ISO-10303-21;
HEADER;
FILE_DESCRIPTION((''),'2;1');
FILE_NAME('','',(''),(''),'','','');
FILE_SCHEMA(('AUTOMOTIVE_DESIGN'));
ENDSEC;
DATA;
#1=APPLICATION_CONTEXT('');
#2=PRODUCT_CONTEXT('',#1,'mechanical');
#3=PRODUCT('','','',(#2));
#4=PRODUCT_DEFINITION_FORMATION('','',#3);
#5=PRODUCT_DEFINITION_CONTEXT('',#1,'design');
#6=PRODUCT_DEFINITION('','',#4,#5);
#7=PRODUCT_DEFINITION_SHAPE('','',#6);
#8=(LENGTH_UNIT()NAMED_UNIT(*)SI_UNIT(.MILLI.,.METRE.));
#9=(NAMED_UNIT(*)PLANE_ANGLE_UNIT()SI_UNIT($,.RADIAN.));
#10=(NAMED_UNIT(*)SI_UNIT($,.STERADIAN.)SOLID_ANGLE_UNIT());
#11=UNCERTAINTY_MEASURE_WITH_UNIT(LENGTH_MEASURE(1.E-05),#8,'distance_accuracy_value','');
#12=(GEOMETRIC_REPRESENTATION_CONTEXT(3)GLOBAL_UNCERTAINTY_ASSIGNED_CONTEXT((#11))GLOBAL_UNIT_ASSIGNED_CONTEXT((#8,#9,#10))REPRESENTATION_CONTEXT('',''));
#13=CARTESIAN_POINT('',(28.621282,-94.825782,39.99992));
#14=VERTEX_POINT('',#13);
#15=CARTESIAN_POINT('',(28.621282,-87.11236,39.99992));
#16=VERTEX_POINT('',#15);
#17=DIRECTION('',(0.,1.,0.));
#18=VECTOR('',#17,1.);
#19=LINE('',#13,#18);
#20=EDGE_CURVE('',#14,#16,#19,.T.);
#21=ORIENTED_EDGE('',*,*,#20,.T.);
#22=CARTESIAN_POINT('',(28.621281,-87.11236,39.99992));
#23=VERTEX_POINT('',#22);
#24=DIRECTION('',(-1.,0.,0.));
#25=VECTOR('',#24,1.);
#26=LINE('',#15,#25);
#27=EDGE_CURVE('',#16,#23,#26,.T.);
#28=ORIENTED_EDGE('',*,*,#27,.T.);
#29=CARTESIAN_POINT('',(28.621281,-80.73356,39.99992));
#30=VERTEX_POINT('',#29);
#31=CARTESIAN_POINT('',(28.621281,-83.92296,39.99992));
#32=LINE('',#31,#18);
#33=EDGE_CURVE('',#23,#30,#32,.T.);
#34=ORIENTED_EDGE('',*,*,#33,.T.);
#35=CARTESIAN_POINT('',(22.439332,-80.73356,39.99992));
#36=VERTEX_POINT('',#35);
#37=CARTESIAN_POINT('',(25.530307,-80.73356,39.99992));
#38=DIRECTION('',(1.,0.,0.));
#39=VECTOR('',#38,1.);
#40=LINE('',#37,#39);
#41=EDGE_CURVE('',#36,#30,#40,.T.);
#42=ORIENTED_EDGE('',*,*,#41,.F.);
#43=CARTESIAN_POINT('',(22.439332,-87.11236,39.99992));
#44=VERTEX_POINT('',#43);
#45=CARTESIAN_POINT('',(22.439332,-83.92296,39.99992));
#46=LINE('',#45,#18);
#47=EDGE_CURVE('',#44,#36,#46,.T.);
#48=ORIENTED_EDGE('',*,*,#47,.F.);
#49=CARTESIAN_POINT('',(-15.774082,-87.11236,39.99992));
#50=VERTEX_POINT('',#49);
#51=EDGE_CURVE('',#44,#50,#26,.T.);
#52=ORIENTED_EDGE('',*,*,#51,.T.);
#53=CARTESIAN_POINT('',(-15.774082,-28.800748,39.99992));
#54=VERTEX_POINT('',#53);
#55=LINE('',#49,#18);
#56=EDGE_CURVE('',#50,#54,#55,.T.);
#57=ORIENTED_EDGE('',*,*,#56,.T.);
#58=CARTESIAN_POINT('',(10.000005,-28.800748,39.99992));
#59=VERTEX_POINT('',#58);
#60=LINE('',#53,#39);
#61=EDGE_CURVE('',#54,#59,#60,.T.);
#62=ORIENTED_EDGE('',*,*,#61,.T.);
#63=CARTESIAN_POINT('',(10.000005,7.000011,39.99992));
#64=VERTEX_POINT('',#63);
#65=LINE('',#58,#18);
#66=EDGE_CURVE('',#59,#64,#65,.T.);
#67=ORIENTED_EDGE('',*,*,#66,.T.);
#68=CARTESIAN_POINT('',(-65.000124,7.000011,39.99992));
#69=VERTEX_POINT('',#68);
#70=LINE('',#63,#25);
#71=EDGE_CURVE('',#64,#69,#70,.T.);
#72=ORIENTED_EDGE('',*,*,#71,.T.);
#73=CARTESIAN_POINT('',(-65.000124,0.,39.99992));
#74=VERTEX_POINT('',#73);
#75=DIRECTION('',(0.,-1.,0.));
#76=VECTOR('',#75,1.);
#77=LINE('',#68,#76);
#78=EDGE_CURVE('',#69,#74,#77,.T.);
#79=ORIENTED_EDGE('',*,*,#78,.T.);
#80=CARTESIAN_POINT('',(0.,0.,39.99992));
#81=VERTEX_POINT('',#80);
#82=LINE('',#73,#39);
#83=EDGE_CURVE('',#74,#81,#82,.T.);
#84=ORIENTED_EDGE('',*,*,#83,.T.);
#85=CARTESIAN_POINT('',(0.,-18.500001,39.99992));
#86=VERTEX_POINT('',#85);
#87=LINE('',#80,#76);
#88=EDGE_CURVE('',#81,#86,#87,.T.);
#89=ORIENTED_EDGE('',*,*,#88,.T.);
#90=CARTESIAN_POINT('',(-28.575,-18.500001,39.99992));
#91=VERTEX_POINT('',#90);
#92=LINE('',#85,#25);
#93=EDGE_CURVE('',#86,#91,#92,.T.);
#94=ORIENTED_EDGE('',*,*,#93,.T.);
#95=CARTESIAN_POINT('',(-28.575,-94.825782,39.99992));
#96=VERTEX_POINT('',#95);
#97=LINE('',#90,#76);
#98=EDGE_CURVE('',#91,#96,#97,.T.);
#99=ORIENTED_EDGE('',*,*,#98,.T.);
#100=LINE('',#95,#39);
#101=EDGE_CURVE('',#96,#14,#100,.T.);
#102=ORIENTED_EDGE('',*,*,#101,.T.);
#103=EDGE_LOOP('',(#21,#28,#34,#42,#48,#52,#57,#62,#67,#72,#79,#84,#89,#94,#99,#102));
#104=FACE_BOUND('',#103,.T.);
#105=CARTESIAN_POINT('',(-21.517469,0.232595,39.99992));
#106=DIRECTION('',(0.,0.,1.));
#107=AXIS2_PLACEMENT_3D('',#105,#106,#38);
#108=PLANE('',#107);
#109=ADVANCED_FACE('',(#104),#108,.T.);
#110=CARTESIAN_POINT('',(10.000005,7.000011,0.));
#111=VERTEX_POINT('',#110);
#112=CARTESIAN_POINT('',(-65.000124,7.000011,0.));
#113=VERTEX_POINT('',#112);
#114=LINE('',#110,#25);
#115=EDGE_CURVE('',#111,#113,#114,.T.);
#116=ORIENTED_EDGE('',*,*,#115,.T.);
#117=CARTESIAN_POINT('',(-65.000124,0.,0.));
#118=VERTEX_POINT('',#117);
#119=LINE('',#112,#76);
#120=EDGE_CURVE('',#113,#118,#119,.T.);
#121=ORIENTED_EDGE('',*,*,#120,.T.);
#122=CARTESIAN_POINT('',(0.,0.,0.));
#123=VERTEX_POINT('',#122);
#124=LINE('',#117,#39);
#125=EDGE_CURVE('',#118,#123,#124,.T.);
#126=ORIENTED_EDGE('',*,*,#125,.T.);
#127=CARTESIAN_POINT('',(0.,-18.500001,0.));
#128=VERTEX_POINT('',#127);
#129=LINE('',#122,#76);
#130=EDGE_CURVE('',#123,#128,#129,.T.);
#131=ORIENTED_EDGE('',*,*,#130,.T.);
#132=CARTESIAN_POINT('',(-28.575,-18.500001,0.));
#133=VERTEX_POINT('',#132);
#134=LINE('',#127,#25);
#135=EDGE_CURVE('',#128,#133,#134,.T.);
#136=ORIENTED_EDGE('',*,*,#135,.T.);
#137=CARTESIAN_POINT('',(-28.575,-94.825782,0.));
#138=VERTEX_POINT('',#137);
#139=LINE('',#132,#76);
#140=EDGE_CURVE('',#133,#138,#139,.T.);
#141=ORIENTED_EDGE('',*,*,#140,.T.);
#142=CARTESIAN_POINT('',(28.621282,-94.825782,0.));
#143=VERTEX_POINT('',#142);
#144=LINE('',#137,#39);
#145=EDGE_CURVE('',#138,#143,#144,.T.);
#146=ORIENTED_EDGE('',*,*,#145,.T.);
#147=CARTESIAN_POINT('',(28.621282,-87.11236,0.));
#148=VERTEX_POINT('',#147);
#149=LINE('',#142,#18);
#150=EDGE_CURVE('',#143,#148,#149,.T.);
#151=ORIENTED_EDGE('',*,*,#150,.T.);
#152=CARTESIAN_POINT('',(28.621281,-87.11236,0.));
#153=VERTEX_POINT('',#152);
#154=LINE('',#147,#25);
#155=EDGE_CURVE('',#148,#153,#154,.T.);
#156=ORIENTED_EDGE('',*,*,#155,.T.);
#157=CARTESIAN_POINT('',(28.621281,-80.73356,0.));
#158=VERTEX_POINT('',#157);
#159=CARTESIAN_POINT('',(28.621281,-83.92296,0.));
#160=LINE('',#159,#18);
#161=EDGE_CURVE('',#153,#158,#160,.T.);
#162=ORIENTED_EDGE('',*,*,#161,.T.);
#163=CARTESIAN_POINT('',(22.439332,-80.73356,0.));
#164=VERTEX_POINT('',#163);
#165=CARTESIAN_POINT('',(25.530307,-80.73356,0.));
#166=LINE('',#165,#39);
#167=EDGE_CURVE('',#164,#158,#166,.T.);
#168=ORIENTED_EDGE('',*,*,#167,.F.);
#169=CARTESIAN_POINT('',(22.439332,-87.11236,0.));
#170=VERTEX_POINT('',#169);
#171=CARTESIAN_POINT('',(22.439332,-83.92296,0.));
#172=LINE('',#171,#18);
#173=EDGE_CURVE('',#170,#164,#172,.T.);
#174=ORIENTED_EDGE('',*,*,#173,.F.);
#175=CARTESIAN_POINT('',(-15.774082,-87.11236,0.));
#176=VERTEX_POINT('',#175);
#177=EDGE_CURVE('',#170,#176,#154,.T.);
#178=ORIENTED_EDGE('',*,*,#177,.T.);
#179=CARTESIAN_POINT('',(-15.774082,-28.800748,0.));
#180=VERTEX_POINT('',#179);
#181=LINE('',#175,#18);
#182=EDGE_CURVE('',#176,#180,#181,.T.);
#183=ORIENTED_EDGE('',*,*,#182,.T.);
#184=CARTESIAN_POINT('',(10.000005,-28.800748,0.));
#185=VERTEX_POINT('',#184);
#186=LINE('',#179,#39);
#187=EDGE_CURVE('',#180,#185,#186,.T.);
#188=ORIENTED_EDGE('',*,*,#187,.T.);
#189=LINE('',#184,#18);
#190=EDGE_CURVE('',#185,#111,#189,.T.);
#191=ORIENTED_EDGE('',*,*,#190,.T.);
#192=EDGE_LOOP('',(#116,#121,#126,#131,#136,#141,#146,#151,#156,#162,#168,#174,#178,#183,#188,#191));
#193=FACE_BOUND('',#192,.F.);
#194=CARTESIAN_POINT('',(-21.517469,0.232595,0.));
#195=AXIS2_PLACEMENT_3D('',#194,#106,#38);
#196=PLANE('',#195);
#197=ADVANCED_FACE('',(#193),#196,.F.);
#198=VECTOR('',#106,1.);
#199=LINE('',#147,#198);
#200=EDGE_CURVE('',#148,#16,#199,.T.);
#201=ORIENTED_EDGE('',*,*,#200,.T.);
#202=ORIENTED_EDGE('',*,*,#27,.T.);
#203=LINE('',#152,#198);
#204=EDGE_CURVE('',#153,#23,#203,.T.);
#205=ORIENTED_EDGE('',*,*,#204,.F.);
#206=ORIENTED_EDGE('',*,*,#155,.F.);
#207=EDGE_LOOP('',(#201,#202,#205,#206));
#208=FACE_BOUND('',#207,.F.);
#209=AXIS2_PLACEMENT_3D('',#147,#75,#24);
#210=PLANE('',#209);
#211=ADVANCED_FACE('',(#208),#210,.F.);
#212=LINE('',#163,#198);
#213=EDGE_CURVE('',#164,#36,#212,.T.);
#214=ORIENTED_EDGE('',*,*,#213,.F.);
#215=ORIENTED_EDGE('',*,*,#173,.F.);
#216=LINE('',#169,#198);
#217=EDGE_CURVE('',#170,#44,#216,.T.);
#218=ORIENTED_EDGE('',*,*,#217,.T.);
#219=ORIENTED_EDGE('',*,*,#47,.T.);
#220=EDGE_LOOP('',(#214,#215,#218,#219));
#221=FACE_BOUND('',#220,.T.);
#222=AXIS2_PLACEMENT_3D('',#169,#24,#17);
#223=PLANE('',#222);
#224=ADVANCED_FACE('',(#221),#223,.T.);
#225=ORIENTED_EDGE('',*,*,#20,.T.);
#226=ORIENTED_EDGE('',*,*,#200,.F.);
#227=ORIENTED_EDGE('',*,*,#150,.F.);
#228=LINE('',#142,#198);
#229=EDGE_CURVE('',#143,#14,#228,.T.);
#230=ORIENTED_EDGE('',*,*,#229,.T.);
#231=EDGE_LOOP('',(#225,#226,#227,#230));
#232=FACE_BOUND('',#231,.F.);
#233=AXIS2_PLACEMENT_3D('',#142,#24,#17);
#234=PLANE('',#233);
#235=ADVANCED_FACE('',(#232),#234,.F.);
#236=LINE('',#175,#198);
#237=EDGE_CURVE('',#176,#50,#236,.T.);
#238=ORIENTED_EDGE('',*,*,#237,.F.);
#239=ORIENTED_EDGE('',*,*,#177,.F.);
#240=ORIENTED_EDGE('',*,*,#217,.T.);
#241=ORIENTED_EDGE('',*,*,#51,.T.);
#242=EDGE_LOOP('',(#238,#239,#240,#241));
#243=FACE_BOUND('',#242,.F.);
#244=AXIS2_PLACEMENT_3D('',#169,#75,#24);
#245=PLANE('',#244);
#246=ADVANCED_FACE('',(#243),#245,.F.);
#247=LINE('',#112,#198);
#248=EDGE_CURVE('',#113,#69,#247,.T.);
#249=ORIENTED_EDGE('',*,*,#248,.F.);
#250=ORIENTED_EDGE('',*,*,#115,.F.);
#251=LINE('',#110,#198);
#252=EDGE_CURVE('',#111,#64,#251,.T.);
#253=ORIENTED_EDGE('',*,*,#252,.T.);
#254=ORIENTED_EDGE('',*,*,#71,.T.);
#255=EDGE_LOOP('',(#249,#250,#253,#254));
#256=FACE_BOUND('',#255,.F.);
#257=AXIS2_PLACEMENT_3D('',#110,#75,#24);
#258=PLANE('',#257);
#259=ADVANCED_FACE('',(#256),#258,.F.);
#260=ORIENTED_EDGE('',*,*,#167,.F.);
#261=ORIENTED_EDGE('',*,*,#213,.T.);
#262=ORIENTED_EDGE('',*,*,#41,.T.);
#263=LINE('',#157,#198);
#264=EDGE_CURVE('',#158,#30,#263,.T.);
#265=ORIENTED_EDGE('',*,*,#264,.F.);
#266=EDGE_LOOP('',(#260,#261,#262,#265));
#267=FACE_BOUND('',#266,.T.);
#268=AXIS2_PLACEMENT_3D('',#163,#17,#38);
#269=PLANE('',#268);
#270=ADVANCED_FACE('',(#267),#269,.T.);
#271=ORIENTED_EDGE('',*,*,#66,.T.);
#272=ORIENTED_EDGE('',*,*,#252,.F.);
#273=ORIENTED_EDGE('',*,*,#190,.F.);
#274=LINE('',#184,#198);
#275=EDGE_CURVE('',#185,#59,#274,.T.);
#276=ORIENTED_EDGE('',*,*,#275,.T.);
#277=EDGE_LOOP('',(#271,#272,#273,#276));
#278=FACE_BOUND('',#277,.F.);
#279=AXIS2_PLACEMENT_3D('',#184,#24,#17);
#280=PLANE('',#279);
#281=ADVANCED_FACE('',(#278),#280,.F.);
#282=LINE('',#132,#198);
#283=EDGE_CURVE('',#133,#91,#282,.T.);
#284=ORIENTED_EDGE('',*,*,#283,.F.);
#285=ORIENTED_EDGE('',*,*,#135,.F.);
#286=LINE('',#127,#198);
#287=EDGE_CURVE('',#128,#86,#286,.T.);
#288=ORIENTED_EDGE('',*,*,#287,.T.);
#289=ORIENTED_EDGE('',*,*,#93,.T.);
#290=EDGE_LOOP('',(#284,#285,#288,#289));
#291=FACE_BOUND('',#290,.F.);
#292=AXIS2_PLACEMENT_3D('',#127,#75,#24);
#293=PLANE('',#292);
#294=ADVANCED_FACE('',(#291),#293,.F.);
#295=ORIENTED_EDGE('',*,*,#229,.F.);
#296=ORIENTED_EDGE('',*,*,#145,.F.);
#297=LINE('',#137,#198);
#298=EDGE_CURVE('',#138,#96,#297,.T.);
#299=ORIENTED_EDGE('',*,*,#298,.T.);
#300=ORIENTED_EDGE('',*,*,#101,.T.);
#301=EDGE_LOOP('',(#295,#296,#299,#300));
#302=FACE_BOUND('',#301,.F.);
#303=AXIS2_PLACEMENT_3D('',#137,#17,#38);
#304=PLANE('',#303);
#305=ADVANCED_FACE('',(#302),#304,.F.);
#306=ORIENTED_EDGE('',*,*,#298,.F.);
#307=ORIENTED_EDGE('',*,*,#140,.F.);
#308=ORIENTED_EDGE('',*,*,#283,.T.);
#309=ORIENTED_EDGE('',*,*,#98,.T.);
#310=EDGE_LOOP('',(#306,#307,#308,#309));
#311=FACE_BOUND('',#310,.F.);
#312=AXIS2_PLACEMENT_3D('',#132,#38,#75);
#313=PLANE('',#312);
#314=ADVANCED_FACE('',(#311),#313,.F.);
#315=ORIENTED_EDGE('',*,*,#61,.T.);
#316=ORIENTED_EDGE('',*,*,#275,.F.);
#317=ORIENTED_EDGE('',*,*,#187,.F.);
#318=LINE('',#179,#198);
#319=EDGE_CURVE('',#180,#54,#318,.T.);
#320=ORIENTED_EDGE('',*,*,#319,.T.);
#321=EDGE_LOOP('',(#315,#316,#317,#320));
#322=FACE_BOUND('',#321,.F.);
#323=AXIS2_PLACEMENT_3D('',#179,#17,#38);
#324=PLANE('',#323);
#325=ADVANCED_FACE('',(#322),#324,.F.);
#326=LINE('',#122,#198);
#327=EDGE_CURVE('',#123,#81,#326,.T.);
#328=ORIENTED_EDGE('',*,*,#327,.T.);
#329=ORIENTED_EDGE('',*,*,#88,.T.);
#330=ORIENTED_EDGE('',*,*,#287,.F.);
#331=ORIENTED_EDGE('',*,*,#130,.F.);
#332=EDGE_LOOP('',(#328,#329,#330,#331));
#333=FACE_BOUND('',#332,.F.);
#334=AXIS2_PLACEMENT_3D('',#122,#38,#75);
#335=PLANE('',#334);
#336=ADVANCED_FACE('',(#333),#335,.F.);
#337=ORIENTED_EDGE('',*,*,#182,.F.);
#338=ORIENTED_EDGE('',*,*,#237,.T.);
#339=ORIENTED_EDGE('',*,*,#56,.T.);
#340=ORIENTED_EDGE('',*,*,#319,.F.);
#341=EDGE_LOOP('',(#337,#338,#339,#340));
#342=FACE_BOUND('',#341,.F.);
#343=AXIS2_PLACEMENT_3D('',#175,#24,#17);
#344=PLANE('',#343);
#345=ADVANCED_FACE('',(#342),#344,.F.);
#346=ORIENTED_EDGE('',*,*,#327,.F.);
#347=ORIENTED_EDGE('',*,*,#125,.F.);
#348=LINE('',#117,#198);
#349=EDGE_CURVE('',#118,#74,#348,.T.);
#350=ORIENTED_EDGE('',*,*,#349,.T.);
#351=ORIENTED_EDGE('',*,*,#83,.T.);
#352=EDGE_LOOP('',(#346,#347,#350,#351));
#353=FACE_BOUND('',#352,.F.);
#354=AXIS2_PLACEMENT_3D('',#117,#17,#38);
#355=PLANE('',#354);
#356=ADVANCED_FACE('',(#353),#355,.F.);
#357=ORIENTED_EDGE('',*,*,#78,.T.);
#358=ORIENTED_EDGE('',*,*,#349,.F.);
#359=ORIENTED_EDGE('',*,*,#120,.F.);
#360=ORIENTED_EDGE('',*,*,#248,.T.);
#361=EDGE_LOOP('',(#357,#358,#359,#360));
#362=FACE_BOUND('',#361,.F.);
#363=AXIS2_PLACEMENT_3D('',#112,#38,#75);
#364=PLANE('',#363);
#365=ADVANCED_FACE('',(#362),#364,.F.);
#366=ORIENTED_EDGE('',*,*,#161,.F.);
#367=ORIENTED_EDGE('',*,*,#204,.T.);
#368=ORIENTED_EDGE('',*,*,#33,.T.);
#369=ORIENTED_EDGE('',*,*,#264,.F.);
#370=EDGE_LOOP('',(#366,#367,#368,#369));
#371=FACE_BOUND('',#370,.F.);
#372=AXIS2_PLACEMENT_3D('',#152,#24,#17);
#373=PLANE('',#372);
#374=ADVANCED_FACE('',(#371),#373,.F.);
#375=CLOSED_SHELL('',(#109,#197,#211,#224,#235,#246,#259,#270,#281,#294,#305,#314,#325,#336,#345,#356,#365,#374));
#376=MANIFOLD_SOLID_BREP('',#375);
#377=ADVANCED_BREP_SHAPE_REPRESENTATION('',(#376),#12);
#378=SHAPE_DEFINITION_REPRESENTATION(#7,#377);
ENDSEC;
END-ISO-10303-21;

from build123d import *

# Parameters (mm, degrees)
F0_W     = 6.181949
F0_H     = 6.3788
F1_DEPTH = 39.99992


with BuildPart() as f1:
    # F0 (on Top) → F1 (new body)
    with BuildSketch(Plane.XY):
        Polygon((0, 0), (0, -18.500001), (10.000005, -18.500001), (10.000005, -12.737495), (10.000005, 7.000011), (-65.000124, 7.000011), (-65.000124, 0), align=None)
        Polygon((10.000005, -18.500001), (0, -18.500001), (-15.774082, -18.500001), (-15.774082, -28.800748), (10.000005, -28.800748), align=None)
        Polygon((-15.774082, -28.800748), (-15.774082, -18.500001), (-28.575, -18.500001), (-28.575, -94.825782), (28.621282, -94.825782), (28.621282, -87.11236), (22.439333, -87.11236), (-15.774082, -87.11236), align=None)
        with Locations((25.530307, -83.92296)):
            Rectangle(F0_W, F0_H)
    extrude(amount=F1_DEPTH)


solid = f1.part
